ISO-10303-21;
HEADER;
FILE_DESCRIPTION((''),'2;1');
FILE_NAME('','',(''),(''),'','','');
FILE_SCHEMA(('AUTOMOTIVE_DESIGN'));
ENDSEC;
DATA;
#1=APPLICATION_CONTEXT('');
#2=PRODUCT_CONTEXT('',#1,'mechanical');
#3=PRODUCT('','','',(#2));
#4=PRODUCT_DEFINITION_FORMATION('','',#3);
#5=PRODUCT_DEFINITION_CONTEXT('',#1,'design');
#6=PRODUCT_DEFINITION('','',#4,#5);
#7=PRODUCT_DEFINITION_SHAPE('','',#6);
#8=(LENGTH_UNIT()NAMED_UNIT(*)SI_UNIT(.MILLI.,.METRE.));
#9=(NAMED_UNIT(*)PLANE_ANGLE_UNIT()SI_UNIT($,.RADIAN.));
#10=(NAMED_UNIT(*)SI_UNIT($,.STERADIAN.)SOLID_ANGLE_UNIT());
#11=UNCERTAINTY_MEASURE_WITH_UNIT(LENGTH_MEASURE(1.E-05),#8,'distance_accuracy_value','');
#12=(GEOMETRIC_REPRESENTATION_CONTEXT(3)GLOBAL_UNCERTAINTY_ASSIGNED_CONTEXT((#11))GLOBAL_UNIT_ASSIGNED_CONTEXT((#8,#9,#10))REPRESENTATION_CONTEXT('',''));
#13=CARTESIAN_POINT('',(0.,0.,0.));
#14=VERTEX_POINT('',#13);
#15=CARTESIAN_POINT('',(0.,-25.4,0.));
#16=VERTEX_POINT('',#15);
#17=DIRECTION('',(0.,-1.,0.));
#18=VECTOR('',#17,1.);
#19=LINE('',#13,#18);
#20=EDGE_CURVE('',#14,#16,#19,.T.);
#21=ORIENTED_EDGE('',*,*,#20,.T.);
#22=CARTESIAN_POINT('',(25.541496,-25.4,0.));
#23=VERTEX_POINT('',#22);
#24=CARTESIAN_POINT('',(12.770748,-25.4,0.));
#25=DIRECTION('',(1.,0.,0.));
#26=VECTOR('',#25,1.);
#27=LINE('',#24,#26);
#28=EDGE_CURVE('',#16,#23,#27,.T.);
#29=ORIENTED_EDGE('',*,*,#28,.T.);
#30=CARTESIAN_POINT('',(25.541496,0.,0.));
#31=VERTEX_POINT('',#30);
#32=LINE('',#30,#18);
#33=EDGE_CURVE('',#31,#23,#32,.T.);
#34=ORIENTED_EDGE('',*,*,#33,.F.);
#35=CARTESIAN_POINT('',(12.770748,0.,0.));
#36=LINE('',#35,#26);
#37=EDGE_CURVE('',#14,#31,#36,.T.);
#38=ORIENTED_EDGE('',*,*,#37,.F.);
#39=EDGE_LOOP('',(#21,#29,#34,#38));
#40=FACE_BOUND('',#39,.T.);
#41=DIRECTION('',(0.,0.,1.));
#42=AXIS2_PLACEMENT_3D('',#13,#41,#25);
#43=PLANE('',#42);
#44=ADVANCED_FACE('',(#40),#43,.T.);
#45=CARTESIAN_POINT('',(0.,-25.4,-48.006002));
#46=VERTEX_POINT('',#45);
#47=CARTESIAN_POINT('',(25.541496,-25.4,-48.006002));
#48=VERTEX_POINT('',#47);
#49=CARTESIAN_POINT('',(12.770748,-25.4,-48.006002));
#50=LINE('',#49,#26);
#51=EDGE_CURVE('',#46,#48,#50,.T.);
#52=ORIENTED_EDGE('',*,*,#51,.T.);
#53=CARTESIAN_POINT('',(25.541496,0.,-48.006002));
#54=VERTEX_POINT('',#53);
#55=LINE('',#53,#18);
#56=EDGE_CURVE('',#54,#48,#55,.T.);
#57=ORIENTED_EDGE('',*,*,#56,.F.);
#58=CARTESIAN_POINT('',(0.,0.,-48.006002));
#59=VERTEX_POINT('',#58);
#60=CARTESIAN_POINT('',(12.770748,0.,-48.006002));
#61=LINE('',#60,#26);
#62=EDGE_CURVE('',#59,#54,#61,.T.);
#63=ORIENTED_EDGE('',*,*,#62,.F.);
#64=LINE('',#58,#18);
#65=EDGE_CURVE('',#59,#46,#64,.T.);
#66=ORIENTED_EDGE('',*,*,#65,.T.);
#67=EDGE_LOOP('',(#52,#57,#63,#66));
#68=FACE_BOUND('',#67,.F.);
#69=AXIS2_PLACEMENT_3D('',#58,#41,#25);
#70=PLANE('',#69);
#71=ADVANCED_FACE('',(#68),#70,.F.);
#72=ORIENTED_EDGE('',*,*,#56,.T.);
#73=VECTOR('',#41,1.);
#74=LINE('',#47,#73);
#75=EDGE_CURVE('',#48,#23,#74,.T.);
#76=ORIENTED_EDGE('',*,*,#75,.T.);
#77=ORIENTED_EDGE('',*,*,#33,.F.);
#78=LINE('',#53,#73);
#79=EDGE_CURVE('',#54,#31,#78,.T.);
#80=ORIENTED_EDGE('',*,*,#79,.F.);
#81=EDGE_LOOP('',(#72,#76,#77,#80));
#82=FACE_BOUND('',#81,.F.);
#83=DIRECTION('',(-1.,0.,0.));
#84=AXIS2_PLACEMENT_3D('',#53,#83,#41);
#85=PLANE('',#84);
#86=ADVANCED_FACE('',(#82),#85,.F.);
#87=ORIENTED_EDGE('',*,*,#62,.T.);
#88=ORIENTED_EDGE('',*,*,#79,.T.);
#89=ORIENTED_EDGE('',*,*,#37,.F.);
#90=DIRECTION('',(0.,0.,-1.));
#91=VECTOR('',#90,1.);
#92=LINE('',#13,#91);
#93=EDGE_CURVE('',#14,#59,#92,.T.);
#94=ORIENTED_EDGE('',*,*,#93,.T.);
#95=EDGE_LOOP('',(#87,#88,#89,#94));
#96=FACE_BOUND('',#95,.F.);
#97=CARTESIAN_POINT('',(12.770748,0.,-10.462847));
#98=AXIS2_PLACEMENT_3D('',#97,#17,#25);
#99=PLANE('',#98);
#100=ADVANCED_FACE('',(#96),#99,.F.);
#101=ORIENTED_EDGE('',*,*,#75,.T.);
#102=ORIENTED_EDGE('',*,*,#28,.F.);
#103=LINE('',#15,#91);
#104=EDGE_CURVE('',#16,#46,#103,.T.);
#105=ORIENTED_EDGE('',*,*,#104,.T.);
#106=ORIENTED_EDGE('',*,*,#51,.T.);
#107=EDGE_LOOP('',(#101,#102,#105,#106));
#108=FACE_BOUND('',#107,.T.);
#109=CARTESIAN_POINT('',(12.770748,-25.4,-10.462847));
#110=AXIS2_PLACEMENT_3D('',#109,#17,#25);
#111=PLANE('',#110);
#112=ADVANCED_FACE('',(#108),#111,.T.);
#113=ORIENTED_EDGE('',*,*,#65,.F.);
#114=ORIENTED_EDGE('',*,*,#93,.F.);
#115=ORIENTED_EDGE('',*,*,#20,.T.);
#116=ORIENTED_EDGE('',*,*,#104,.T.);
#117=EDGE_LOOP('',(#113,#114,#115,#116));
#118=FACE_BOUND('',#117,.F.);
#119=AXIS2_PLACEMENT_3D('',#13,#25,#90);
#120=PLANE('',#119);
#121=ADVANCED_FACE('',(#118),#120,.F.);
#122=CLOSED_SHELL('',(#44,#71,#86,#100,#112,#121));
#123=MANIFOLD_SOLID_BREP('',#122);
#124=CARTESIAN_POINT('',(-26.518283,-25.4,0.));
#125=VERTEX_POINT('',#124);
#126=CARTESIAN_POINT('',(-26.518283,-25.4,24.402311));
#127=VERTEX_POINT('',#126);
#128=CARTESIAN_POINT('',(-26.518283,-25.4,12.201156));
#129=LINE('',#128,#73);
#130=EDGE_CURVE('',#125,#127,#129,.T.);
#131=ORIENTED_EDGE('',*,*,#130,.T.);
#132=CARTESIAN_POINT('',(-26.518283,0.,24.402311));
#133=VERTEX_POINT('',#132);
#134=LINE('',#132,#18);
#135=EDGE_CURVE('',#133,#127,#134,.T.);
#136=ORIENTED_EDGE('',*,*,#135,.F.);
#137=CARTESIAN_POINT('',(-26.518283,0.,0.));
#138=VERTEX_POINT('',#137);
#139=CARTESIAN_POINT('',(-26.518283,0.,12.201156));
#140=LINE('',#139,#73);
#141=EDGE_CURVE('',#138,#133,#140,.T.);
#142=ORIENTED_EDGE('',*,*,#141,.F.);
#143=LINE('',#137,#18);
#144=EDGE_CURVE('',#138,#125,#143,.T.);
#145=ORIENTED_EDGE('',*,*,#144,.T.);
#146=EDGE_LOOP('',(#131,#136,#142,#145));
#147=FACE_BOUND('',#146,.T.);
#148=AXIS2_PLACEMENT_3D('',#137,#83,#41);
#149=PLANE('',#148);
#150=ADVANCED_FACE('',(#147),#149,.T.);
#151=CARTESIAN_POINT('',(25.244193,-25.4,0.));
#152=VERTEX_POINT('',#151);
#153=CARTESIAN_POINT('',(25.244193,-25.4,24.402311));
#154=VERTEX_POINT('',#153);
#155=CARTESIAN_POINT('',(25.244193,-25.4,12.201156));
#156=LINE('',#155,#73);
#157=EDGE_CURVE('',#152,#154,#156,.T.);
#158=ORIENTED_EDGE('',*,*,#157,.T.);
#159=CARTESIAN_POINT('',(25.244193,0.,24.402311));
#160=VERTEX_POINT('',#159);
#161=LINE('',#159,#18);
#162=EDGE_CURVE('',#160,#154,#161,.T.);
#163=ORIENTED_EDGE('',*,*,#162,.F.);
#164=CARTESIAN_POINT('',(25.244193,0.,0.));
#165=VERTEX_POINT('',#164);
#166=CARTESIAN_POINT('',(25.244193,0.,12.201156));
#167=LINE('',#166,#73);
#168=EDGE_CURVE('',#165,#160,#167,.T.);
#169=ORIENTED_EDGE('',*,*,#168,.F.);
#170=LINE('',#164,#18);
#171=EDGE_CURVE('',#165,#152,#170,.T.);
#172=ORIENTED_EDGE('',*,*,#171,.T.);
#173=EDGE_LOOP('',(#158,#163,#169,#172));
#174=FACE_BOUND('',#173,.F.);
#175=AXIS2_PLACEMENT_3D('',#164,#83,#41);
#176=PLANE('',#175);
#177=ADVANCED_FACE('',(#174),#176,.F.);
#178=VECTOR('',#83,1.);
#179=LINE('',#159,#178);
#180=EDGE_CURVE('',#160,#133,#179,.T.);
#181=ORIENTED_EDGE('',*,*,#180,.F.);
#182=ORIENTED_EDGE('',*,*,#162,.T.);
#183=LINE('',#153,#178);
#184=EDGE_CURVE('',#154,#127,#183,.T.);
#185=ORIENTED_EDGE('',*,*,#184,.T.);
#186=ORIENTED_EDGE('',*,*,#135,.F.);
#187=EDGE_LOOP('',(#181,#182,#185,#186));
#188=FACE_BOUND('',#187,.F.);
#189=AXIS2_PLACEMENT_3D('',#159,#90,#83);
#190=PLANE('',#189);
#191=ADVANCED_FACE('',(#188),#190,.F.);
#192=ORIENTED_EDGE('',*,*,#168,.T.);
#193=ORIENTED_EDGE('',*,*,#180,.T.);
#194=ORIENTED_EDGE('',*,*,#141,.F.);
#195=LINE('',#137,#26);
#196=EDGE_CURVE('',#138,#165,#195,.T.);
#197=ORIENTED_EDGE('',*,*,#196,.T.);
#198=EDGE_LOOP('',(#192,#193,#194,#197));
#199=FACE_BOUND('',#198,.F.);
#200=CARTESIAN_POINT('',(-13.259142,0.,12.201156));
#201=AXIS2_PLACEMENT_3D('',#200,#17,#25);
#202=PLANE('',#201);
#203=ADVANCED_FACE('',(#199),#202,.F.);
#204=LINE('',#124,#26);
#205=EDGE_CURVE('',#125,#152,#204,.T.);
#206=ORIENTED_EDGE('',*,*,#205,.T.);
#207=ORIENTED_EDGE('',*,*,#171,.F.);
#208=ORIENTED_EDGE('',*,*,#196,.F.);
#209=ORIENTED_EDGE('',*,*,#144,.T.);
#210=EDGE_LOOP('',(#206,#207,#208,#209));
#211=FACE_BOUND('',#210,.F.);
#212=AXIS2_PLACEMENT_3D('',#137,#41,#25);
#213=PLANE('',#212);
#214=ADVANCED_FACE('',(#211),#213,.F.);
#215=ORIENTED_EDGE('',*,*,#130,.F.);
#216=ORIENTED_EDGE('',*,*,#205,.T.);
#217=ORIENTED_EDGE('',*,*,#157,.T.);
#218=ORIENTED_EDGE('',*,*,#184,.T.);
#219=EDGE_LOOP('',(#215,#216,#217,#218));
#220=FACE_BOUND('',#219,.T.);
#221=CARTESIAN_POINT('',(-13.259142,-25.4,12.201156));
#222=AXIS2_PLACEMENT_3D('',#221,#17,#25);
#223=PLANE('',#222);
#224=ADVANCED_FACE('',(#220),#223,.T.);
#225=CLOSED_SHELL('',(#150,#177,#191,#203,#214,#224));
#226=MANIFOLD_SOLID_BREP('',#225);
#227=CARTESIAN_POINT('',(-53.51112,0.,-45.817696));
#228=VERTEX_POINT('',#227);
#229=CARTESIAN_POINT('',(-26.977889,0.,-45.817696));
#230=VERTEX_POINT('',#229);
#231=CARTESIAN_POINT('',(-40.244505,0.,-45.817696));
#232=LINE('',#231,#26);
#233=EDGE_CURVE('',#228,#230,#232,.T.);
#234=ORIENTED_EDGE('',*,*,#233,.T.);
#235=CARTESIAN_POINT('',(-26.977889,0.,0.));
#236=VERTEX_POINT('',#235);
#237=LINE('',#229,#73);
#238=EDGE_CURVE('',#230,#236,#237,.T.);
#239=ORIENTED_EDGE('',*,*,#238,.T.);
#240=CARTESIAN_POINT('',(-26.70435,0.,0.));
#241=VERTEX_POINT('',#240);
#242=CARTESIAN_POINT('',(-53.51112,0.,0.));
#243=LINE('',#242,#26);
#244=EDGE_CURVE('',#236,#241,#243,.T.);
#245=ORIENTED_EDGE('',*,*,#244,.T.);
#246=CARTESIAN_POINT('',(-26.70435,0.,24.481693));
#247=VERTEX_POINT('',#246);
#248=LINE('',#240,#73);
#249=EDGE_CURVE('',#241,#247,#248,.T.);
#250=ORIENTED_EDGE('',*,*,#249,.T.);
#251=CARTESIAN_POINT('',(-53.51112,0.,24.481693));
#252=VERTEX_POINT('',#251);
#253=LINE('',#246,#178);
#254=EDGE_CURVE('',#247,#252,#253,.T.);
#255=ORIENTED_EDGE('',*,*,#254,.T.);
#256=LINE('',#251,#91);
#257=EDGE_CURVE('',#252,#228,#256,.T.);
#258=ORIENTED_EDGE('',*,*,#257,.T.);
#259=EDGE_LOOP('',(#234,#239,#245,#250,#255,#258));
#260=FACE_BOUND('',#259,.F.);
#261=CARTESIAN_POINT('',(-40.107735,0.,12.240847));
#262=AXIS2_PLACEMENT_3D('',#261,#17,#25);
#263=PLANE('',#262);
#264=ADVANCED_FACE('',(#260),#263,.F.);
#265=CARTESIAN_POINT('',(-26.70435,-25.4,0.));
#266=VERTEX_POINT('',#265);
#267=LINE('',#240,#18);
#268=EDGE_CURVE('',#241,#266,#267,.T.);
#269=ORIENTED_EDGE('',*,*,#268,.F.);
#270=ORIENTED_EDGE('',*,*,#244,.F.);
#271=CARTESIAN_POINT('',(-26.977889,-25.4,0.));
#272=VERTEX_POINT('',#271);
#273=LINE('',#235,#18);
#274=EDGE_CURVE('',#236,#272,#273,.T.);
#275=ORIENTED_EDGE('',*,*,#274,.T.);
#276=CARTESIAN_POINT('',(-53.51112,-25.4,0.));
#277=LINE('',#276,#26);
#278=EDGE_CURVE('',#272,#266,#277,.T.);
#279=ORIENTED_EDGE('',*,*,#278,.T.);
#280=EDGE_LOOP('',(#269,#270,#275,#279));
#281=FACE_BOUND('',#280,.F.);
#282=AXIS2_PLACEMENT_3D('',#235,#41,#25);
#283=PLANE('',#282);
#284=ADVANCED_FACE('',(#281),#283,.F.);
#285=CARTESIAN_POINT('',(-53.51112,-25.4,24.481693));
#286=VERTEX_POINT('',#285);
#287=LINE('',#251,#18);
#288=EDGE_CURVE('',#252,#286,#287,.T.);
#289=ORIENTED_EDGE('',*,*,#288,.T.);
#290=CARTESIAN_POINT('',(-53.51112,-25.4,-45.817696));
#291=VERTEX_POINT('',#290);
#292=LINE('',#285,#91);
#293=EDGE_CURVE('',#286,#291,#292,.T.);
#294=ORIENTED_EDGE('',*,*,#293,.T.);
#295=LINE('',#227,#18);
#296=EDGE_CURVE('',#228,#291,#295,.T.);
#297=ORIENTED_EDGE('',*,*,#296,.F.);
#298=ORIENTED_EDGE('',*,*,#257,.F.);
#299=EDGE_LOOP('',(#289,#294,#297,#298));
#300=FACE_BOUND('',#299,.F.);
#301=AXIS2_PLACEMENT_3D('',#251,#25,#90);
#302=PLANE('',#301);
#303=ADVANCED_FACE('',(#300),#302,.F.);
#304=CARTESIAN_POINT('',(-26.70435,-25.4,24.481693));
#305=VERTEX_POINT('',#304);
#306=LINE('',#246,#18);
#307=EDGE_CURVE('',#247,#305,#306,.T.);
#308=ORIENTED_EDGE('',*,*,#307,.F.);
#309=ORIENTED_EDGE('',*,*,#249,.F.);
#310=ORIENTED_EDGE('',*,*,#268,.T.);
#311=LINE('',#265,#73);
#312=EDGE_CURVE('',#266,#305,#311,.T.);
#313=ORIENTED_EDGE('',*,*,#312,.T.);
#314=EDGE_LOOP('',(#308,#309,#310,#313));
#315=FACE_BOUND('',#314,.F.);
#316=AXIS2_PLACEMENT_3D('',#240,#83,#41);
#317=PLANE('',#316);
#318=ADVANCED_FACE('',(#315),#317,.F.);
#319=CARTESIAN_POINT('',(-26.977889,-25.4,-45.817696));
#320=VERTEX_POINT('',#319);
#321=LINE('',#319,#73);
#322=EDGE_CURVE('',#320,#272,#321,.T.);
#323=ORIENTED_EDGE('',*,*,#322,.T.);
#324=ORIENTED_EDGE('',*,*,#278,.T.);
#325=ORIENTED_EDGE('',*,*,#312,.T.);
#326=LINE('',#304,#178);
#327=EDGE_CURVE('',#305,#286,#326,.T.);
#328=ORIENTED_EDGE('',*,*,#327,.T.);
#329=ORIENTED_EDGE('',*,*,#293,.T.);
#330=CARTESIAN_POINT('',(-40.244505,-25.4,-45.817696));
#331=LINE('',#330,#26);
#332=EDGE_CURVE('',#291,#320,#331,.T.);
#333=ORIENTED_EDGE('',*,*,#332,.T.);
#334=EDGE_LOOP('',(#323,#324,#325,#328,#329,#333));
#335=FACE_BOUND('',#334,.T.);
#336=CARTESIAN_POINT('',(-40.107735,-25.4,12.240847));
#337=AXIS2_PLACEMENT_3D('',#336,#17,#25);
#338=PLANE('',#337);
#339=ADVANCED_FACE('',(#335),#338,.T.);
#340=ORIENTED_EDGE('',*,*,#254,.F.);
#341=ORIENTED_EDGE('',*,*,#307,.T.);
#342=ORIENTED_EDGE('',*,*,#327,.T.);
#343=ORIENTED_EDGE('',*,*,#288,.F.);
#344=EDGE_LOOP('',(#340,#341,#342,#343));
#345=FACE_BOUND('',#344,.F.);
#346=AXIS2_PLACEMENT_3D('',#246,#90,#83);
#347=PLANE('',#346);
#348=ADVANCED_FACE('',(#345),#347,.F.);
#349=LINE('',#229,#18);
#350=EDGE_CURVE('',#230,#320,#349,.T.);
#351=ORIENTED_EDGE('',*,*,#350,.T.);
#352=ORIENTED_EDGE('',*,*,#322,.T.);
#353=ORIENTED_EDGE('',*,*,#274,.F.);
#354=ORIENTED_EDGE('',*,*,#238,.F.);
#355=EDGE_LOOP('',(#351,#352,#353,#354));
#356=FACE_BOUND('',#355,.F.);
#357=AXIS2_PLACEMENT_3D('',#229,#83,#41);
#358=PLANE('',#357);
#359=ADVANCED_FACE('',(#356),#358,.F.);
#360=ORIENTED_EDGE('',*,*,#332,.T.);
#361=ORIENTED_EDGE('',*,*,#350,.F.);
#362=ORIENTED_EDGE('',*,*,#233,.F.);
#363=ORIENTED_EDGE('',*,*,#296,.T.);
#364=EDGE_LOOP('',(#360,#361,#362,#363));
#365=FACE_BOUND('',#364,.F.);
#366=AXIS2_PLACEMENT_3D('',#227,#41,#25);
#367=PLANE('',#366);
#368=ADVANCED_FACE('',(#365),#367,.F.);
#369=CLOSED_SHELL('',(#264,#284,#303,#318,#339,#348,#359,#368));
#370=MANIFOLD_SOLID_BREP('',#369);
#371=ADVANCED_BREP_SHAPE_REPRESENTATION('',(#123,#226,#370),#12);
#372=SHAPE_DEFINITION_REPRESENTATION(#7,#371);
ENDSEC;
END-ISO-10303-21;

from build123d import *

# Parameters (mm, degrees)
F1_W     = 26.5332311392
F1_H     = 20.9256932139
F1_H_2   = 24.8920023441
F2_DEPTH = 25.4
F1_W_2   = 25.5414955318
F1_H_3   = 27.080308646
F0_W     = 26.5182834119
F0_H     = 24.4023110718
F0_W_2   = 25.2441931516


with BuildPart() as f2:
    # F1 (on Front) → F2 (new body)
    with BuildSketch(Plane.XZ):
        Polygon((-26.7043504864, 0), (-26.7043504864, 24.4816932827), (-53.511120379, 24.4816932827), (-53.511120379, 0), (-26.9778892398, 0), align=None)
        with Locations((-40.2445048094, -10.462846607)):
            Rectangle(F1_W, F1_H)
        with Locations((-40.2445048094, -33.371694386)):
            Rectangle(F1_W, F1_H_2)
    extrude(amount=F2_DEPTH)


with BuildPart() as f2b:
    # F1 (on Front) → F2, piece 2 (new body)
    with BuildSketch(Plane.XZ):
        with Locations((12.7707477659, -10.462846607)):
            Rectangle(F1_W_2, F1_H)
        with Locations((12.7707477659, -34.4658475369)):
            Rectangle(F1_W_2, F1_H_3)
    extrude(amount=F2_DEPTH)


with BuildPart() as f2c:
    # F0 (on Front) → F2, piece 3 (new body)
    with BuildSketch(Plane.XZ):
        with Locations((-13.2591417059, 12.2011555359)):
            Rectangle(F0_W, F0_H)
        with Locations((12.6220965758, 12.2011555359)):
            Rectangle(F0_W_2, F0_H)
    extrude(amount=F2_DEPTH)


solid = Compound([f2.part, f2b.part, f2c.part])
